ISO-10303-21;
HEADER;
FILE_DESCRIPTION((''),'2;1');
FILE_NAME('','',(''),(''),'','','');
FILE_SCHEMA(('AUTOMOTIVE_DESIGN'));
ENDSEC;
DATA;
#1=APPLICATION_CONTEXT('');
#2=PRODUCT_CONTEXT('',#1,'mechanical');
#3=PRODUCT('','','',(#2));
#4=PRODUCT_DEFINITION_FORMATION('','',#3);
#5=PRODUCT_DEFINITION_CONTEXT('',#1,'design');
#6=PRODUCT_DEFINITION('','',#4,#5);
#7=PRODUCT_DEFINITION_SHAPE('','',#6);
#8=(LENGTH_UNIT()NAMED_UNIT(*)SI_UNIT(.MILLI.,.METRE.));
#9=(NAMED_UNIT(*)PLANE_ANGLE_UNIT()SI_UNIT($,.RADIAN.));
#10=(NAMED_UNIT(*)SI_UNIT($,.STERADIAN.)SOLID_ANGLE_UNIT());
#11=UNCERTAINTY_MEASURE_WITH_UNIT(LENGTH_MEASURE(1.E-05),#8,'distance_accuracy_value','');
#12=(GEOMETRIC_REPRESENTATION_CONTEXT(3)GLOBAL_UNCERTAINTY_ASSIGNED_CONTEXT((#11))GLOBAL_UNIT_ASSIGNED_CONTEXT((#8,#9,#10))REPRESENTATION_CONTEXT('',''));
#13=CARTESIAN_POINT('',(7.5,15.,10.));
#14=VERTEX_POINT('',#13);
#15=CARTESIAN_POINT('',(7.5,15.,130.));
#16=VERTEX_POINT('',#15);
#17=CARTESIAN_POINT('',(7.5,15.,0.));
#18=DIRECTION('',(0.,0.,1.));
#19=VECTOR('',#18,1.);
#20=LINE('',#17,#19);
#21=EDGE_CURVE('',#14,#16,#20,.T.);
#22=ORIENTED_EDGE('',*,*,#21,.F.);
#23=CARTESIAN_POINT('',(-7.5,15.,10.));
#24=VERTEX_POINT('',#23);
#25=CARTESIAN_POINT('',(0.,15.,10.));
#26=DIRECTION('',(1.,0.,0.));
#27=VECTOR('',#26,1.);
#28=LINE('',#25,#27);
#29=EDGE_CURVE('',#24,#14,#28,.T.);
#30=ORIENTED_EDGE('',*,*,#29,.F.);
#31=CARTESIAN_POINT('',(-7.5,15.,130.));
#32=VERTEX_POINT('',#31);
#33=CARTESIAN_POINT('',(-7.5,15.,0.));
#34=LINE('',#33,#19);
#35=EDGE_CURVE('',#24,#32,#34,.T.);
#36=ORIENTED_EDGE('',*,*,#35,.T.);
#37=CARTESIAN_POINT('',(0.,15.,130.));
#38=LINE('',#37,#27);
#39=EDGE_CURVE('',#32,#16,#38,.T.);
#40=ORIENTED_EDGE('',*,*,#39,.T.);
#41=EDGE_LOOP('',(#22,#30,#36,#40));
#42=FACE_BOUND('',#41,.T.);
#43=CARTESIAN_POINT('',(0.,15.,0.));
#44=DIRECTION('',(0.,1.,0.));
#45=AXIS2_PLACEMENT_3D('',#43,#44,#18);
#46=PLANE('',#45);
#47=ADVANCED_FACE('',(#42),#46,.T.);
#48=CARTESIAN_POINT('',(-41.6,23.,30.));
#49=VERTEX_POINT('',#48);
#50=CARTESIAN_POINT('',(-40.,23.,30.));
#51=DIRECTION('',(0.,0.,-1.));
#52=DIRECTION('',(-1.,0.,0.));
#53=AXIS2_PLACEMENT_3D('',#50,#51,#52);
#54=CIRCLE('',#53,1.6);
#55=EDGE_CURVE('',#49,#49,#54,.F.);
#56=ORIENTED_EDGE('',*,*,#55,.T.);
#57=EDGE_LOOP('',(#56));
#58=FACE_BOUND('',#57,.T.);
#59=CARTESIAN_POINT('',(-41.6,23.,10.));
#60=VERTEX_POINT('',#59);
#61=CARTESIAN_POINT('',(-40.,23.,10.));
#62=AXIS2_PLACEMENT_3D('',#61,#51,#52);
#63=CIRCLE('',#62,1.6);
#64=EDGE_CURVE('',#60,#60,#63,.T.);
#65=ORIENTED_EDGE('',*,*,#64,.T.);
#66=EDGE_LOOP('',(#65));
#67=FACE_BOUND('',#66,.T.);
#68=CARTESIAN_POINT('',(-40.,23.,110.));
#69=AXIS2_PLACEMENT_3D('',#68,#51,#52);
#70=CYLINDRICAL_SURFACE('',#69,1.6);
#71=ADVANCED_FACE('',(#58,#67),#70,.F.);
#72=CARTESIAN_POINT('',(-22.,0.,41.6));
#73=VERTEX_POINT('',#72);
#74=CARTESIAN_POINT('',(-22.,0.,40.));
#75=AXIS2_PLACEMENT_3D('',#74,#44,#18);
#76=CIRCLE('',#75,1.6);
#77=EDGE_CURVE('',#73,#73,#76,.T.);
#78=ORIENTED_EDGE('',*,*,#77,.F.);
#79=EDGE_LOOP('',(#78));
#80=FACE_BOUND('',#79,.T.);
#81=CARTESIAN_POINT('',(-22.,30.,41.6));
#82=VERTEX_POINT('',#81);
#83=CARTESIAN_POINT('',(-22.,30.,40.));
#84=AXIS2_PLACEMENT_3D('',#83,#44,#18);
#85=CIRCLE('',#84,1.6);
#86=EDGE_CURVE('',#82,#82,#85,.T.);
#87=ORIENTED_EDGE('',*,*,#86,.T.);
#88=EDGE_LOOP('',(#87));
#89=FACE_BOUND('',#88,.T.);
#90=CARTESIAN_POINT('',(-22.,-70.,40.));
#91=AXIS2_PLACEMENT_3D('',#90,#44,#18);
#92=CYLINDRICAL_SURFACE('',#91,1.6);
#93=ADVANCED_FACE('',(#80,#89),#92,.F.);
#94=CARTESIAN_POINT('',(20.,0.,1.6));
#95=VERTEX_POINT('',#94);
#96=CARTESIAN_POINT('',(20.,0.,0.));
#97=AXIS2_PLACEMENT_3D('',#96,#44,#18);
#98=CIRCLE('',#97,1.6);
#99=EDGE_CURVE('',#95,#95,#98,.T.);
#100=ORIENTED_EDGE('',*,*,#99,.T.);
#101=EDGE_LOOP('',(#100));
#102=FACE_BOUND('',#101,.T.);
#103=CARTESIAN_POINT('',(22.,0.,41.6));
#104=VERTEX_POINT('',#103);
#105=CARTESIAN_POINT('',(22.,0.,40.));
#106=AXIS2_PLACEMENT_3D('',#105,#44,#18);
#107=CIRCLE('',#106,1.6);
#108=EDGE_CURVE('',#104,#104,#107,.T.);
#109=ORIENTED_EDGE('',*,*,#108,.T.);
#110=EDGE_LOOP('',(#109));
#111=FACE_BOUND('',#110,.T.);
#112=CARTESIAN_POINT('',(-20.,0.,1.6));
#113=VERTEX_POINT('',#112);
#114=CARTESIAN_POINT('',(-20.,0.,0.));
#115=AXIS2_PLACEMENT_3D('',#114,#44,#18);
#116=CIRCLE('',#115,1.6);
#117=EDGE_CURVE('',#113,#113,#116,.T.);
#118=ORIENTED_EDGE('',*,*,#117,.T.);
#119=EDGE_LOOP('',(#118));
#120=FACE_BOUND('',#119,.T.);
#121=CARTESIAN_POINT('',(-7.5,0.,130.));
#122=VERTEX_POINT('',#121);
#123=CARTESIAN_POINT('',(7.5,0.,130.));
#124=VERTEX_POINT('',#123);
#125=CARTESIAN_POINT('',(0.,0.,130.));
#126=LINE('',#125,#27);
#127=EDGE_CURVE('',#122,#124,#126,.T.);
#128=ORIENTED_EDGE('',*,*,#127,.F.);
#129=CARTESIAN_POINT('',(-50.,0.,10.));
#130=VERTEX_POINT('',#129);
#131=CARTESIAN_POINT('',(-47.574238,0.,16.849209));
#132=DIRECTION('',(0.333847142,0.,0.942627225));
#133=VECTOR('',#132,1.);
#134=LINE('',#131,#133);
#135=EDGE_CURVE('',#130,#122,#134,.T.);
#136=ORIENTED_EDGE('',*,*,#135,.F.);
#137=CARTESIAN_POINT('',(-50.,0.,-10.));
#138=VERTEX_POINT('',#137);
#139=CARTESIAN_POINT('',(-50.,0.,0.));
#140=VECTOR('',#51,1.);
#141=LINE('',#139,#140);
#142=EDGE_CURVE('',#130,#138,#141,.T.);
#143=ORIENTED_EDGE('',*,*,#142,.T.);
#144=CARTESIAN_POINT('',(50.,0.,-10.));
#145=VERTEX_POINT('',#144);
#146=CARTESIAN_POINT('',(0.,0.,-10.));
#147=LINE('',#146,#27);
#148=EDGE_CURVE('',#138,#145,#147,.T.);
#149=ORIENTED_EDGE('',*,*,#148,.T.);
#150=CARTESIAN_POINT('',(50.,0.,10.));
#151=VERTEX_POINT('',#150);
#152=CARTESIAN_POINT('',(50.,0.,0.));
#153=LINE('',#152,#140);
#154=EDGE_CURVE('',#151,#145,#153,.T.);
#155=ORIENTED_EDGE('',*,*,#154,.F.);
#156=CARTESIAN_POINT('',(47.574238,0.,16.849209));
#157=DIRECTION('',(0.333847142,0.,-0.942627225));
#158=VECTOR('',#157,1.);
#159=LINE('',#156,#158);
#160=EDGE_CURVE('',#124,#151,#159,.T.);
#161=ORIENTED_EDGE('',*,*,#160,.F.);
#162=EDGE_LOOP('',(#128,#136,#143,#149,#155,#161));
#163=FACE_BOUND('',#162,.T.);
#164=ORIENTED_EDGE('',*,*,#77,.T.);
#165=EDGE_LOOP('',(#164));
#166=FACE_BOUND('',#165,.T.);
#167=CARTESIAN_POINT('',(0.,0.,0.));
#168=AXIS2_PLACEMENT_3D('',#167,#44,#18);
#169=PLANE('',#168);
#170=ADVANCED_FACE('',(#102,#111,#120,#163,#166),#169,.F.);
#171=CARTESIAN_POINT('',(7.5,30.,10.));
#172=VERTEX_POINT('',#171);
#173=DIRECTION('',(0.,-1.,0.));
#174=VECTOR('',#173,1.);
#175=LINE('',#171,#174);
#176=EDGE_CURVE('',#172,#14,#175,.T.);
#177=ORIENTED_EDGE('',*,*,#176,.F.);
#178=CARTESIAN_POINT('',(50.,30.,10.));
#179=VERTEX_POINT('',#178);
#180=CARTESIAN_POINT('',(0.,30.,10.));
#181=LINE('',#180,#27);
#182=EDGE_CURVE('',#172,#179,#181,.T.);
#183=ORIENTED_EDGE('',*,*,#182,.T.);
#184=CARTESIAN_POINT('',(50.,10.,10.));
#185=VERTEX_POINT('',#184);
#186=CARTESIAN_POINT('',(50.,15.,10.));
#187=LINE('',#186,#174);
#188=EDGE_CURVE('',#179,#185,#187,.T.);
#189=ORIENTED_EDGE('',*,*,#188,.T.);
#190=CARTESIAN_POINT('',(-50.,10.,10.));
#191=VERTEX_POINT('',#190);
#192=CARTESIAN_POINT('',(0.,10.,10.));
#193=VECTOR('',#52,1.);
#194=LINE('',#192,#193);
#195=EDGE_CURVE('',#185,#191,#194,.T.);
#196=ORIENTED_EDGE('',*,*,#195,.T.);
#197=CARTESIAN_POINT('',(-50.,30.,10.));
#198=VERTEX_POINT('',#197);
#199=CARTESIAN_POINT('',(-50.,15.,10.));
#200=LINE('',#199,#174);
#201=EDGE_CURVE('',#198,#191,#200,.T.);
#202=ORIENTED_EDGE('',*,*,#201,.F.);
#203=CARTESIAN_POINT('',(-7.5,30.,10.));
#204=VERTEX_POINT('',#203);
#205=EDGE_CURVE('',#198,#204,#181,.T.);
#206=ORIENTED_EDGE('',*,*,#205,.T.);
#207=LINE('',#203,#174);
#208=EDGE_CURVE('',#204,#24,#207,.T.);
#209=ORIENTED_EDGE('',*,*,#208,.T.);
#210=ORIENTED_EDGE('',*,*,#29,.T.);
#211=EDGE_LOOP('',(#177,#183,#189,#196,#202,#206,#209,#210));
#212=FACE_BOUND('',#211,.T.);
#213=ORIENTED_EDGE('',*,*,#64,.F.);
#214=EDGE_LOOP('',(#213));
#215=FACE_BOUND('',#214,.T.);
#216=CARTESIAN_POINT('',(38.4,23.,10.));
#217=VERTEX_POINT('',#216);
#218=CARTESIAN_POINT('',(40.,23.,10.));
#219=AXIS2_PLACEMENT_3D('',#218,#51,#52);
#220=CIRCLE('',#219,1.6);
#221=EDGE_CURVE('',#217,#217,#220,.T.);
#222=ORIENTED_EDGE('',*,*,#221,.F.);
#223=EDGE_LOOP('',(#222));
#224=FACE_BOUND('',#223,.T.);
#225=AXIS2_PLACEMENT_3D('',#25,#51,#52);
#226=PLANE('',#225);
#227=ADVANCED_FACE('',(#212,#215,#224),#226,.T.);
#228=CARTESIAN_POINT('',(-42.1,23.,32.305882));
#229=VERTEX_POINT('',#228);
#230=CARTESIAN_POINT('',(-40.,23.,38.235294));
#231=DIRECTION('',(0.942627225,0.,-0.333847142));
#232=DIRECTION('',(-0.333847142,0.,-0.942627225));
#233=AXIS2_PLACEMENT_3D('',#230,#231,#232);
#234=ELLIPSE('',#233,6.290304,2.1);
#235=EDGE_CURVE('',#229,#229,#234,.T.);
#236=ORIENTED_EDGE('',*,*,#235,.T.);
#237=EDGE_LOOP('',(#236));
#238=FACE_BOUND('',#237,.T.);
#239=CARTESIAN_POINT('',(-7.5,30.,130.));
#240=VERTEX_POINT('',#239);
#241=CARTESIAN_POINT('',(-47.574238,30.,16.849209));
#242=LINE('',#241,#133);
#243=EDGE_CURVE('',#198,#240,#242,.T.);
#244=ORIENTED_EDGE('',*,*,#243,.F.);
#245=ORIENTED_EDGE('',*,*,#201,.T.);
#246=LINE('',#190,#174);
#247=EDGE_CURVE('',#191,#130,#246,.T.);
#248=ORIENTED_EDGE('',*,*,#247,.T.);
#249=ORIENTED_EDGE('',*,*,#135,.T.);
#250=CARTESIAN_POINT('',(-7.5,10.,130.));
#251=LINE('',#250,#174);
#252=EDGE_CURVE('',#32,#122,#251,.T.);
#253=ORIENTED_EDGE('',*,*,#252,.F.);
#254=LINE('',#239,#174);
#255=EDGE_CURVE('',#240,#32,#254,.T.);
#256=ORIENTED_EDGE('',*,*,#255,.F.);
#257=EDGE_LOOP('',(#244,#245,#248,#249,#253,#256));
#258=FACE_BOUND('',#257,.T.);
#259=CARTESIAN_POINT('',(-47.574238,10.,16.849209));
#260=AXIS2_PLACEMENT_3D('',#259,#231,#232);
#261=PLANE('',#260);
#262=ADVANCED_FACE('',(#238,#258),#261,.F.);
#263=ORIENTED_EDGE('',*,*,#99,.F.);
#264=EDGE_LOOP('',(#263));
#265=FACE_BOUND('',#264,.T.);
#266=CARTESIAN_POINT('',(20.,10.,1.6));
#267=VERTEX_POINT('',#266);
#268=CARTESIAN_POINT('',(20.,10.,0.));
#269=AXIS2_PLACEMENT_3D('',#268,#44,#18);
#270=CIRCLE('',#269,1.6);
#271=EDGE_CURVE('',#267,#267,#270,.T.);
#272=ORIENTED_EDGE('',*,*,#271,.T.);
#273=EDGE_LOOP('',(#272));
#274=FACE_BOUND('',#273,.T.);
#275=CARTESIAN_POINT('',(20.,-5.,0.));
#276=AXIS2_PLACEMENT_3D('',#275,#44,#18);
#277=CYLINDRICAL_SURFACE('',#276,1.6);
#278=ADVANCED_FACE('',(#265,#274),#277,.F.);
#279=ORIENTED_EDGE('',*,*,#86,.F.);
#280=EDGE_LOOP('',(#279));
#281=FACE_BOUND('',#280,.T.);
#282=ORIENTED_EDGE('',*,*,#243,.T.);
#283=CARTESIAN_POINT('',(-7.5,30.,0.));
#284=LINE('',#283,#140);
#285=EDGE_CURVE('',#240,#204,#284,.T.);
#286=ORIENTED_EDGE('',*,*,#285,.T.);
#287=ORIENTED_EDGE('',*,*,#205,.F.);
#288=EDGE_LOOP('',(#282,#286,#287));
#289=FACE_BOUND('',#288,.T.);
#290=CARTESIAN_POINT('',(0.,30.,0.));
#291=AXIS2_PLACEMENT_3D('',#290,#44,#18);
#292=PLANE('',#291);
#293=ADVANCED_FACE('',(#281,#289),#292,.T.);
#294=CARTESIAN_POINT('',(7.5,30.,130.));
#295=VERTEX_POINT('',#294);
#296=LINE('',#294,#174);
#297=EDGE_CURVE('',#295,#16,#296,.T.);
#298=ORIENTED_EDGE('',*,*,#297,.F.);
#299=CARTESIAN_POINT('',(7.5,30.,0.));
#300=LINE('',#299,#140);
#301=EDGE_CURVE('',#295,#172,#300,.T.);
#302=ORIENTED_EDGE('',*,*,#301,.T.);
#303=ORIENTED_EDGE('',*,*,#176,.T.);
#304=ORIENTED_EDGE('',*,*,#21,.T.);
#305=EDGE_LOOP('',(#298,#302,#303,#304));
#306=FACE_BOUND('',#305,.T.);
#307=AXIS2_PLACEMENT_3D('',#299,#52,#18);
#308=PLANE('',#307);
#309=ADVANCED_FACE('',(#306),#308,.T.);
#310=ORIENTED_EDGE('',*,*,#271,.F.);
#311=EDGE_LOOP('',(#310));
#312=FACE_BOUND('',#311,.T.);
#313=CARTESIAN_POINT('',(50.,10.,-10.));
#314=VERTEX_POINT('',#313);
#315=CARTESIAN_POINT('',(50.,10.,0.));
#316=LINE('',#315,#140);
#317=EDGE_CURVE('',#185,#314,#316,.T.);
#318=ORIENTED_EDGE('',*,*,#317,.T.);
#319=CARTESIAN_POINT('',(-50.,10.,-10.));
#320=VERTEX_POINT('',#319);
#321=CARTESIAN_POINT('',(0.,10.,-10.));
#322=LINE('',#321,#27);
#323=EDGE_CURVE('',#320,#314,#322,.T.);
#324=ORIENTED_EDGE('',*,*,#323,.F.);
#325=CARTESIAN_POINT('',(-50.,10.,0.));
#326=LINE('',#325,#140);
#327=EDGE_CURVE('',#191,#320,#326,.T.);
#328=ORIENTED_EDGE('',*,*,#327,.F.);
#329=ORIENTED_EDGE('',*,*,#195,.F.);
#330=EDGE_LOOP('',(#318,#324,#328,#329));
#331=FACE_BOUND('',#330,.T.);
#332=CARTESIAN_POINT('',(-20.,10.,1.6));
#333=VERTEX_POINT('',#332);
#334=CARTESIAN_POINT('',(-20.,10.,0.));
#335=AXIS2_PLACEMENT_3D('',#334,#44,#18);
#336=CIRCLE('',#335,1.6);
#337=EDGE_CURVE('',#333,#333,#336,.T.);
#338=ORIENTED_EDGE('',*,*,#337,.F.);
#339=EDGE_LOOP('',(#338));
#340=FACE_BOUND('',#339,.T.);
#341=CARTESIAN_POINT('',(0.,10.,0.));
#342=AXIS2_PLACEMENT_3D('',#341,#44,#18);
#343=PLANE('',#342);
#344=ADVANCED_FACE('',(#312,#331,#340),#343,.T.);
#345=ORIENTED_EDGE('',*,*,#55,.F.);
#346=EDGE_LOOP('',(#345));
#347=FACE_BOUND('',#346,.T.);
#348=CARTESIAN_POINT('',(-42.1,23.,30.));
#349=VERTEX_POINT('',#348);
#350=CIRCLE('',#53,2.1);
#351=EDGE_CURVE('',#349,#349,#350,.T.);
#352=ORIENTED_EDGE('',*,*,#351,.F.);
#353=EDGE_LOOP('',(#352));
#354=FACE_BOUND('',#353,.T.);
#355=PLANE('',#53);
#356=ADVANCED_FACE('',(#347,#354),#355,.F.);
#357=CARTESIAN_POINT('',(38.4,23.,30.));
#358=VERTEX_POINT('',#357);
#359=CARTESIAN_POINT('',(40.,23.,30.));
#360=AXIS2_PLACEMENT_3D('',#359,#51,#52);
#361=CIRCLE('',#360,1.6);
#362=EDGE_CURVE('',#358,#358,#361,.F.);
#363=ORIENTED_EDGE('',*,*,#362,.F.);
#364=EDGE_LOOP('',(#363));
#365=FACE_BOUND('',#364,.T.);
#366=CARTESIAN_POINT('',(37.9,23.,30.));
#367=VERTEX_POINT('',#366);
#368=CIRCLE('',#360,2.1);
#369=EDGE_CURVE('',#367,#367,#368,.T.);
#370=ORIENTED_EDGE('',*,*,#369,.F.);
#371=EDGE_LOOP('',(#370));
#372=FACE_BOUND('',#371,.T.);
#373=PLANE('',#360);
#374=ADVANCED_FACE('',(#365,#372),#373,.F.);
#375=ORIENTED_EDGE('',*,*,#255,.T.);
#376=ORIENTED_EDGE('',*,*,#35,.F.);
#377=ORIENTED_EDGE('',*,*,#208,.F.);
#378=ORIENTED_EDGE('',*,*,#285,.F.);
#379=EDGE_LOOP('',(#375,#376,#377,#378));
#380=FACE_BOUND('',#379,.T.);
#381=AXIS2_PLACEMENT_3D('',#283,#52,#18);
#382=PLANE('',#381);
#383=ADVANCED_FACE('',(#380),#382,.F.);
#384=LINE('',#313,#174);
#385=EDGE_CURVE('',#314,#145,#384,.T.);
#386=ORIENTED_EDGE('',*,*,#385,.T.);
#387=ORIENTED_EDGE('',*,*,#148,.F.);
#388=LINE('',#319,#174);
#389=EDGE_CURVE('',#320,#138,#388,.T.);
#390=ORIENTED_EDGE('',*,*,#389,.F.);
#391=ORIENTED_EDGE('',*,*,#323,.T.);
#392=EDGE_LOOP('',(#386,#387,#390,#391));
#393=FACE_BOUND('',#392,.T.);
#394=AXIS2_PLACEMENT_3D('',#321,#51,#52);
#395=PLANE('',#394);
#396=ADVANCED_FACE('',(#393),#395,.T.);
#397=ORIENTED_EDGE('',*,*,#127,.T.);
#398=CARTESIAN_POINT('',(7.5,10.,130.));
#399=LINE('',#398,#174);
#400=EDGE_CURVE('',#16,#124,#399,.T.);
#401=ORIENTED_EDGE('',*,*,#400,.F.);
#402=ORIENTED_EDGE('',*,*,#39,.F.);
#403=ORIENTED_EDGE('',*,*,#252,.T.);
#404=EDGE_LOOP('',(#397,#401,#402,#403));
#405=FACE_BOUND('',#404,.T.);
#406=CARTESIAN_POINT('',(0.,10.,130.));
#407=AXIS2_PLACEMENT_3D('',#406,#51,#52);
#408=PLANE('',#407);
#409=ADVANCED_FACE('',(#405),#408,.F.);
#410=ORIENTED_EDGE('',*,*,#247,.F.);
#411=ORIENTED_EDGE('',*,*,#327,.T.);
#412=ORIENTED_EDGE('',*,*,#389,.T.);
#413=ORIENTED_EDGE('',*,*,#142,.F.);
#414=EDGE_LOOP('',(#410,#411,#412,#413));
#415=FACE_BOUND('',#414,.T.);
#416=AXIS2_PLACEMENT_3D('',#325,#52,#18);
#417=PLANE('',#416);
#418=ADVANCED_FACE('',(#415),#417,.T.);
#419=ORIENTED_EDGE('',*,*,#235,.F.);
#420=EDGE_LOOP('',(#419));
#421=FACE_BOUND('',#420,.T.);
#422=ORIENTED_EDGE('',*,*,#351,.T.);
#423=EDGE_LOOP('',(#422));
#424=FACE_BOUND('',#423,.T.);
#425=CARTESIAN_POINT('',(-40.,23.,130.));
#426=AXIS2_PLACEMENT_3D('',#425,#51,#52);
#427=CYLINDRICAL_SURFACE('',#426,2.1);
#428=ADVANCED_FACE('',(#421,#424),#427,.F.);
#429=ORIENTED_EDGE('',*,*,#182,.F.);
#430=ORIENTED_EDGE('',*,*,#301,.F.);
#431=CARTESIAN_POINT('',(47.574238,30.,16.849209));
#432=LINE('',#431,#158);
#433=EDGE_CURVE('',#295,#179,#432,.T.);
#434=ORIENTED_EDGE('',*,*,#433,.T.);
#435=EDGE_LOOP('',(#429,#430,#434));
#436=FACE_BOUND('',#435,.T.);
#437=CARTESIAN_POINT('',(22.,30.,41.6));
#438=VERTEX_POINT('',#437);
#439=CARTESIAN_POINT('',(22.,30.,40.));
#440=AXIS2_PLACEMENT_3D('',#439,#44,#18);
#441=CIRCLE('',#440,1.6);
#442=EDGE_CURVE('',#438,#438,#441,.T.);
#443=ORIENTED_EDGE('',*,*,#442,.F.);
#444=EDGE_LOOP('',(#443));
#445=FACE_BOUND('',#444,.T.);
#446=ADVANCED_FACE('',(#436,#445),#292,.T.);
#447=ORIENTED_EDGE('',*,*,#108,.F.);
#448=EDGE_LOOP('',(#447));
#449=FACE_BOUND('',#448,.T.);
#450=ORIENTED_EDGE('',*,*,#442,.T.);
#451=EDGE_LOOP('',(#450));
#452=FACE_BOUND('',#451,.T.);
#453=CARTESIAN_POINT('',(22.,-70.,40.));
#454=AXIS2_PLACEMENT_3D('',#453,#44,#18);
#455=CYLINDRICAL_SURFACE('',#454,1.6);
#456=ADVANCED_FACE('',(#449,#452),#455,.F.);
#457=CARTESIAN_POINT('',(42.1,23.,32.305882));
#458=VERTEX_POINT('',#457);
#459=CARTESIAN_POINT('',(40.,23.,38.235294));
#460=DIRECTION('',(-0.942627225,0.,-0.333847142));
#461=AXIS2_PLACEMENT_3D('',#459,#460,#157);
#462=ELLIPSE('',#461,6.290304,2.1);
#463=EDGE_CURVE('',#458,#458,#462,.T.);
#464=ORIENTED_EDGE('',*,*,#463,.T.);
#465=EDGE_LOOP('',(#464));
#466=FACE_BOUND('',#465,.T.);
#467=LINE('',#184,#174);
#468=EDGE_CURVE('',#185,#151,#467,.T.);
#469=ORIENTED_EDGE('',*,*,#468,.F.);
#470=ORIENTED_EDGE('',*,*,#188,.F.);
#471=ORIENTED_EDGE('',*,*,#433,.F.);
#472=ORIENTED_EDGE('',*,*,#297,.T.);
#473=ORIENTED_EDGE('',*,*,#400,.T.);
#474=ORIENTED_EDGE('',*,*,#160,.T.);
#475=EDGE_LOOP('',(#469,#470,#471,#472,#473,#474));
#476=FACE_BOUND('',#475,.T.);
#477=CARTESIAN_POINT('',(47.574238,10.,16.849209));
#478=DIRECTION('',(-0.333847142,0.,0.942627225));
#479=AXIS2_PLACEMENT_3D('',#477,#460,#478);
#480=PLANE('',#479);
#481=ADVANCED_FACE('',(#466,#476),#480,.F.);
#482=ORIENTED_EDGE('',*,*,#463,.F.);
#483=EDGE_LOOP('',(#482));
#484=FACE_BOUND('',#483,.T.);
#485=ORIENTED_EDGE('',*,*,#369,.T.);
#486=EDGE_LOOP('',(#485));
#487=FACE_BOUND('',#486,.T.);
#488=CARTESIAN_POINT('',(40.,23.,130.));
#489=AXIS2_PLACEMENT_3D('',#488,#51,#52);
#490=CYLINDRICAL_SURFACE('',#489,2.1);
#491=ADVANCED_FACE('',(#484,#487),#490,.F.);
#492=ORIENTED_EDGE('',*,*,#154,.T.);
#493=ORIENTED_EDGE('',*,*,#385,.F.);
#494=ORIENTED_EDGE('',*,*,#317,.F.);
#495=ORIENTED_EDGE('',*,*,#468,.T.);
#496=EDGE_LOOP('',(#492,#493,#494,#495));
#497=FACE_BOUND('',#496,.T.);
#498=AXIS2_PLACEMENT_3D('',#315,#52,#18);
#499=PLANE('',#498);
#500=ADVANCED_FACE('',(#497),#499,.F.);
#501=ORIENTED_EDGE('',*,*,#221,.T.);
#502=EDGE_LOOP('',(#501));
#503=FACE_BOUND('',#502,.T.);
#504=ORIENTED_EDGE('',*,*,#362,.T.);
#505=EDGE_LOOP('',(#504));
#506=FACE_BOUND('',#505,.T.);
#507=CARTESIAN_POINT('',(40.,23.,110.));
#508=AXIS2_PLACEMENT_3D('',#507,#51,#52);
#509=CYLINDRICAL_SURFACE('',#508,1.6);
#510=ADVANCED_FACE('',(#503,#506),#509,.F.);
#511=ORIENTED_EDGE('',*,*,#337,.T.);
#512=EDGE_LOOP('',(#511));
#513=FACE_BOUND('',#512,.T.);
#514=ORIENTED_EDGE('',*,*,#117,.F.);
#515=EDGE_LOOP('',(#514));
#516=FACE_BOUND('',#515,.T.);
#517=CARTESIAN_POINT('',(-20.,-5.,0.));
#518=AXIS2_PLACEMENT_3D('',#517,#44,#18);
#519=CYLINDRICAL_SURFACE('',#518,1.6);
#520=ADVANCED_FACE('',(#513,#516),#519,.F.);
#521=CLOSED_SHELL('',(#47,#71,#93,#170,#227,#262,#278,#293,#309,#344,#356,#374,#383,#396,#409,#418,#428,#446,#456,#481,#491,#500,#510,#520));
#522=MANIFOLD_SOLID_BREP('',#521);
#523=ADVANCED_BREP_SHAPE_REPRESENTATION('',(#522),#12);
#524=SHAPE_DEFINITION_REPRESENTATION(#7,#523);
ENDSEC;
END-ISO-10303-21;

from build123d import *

# Parameters (mm, degrees)
EXTRUDE_1_DEPTH     = 10
EXTRUDE_2_DEPTH     = 15
SKETCH_2_R          = 1.6
CUT_EXTRUDE_1_DEPTH = 15
EXTRUDE_START       = 10
EXTRUDE_3_DEPTH     = 20
SKETCH_5_R          = 1.6
CUT_EXTRUDE_4_DEPTH = 100
SKETCH_6_R          = 1.6
CUT_EXTRUDE_5_DEPTH = 100
CUT_EXTRUDE_START   = -20
SKETCH_7_R          = 2.1
CUT_EXTRUDE_6_DEPTH = 100


with BuildPart() as part:
    # 草图1 → 凸台-拉伸1 (new body)
    with BuildSketch(Plane(origin=(0, 0, 0), x_dir=(1, 0, 0), z_dir=(0, 1, 0))):
        Polygon((-50, 10), (-50, -10), (-7.5, -130), (7.5, -130), (50, -10), (50, 10), align=None)
    extrude(amount=EXTRUDE_1_DEPTH)

    # 草图1<3> → 凸台-拉伸2 (add)
    with BuildSketch(Plane(origin=(0, 0, 0), x_dir=(1, 0, 0), z_dir=(0, 1, 0))):
        Polygon((-50, -10), (-7.5, -130), (7.5, -130), (50, -10), align=None)
    extrude(amount=EXTRUDE_2_DEPTH)

    # 草图2 → 切除-拉伸1 (cut)
    with BuildSketch(Plane(origin=(0, 10, 0), x_dir=(1, 0, 0), z_dir=(0, 1, 0))):
        with Locations((20, 0)):
            Circle(SKETCH_2_R)
        with Locations((-20, 0)):
            Circle(SKETCH_2_R)
    extrude(amount=-CUT_EXTRUDE_1_DEPTH, mode=Mode.SUBTRACT)

    # 草图1<4> → 凸台-拉伸3 (add)
    with BuildSketch(Plane(origin=(0, 0, 0), x_dir=(1, 0, 0), z_dir=(0, 1, 0)).offset(EXTRUDE_START)):
        Polygon((-7.5, -10), (-50, -10), (-7.5, -130), align=None)
        Polygon((50, -10), (7.5, -10), (7.5, -130), align=None)
    extrude(amount=EXTRUDE_3_DEPTH)

    # 草图5 → 切除-拉伸4 (cut)
    with BuildSketch(Plane(origin=(0, 30, 0), x_dir=(1, 0, 0), z_dir=(0, 1, 0))):
        with Locations((22, -40)):
            Circle(SKETCH_5_R)
        with Locations((-22, -40)):
            Circle(SKETCH_5_R)
    extrude(amount=-CUT_EXTRUDE_4_DEPTH, mode=Mode.SUBTRACT)

    # 草图6 → 切除-拉伸5 (cut)
    with BuildSketch(Plane(origin=(0, 0, 10), x_dir=(-1, 0, 0), z_dir=(0, 0, -1))):
        with Locations((40, 23)):
            Circle(SKETCH_6_R)
        with Locations((-40, 23)):
            Circle(SKETCH_6_R)
    extrude(amount=-CUT_EXTRUDE_5_DEPTH, mode=Mode.SUBTRACT)

    # 草图7 → 切除-拉伸6 (cut)
    with BuildSketch(Plane(origin=(0, 0, 10), x_dir=(-1, 0, 0), z_dir=(0, 0, -1)).offset(CUT_EXTRUDE_START)):
        with Locations((-40, 23)):
            Circle(SKETCH_7_R)
        with Locations((40, 23)):
            Circle(SKETCH_7_R)
    extrude(amount=-CUT_EXTRUDE_6_DEPTH, mode=Mode.SUBTRACT)


solid = part.part
